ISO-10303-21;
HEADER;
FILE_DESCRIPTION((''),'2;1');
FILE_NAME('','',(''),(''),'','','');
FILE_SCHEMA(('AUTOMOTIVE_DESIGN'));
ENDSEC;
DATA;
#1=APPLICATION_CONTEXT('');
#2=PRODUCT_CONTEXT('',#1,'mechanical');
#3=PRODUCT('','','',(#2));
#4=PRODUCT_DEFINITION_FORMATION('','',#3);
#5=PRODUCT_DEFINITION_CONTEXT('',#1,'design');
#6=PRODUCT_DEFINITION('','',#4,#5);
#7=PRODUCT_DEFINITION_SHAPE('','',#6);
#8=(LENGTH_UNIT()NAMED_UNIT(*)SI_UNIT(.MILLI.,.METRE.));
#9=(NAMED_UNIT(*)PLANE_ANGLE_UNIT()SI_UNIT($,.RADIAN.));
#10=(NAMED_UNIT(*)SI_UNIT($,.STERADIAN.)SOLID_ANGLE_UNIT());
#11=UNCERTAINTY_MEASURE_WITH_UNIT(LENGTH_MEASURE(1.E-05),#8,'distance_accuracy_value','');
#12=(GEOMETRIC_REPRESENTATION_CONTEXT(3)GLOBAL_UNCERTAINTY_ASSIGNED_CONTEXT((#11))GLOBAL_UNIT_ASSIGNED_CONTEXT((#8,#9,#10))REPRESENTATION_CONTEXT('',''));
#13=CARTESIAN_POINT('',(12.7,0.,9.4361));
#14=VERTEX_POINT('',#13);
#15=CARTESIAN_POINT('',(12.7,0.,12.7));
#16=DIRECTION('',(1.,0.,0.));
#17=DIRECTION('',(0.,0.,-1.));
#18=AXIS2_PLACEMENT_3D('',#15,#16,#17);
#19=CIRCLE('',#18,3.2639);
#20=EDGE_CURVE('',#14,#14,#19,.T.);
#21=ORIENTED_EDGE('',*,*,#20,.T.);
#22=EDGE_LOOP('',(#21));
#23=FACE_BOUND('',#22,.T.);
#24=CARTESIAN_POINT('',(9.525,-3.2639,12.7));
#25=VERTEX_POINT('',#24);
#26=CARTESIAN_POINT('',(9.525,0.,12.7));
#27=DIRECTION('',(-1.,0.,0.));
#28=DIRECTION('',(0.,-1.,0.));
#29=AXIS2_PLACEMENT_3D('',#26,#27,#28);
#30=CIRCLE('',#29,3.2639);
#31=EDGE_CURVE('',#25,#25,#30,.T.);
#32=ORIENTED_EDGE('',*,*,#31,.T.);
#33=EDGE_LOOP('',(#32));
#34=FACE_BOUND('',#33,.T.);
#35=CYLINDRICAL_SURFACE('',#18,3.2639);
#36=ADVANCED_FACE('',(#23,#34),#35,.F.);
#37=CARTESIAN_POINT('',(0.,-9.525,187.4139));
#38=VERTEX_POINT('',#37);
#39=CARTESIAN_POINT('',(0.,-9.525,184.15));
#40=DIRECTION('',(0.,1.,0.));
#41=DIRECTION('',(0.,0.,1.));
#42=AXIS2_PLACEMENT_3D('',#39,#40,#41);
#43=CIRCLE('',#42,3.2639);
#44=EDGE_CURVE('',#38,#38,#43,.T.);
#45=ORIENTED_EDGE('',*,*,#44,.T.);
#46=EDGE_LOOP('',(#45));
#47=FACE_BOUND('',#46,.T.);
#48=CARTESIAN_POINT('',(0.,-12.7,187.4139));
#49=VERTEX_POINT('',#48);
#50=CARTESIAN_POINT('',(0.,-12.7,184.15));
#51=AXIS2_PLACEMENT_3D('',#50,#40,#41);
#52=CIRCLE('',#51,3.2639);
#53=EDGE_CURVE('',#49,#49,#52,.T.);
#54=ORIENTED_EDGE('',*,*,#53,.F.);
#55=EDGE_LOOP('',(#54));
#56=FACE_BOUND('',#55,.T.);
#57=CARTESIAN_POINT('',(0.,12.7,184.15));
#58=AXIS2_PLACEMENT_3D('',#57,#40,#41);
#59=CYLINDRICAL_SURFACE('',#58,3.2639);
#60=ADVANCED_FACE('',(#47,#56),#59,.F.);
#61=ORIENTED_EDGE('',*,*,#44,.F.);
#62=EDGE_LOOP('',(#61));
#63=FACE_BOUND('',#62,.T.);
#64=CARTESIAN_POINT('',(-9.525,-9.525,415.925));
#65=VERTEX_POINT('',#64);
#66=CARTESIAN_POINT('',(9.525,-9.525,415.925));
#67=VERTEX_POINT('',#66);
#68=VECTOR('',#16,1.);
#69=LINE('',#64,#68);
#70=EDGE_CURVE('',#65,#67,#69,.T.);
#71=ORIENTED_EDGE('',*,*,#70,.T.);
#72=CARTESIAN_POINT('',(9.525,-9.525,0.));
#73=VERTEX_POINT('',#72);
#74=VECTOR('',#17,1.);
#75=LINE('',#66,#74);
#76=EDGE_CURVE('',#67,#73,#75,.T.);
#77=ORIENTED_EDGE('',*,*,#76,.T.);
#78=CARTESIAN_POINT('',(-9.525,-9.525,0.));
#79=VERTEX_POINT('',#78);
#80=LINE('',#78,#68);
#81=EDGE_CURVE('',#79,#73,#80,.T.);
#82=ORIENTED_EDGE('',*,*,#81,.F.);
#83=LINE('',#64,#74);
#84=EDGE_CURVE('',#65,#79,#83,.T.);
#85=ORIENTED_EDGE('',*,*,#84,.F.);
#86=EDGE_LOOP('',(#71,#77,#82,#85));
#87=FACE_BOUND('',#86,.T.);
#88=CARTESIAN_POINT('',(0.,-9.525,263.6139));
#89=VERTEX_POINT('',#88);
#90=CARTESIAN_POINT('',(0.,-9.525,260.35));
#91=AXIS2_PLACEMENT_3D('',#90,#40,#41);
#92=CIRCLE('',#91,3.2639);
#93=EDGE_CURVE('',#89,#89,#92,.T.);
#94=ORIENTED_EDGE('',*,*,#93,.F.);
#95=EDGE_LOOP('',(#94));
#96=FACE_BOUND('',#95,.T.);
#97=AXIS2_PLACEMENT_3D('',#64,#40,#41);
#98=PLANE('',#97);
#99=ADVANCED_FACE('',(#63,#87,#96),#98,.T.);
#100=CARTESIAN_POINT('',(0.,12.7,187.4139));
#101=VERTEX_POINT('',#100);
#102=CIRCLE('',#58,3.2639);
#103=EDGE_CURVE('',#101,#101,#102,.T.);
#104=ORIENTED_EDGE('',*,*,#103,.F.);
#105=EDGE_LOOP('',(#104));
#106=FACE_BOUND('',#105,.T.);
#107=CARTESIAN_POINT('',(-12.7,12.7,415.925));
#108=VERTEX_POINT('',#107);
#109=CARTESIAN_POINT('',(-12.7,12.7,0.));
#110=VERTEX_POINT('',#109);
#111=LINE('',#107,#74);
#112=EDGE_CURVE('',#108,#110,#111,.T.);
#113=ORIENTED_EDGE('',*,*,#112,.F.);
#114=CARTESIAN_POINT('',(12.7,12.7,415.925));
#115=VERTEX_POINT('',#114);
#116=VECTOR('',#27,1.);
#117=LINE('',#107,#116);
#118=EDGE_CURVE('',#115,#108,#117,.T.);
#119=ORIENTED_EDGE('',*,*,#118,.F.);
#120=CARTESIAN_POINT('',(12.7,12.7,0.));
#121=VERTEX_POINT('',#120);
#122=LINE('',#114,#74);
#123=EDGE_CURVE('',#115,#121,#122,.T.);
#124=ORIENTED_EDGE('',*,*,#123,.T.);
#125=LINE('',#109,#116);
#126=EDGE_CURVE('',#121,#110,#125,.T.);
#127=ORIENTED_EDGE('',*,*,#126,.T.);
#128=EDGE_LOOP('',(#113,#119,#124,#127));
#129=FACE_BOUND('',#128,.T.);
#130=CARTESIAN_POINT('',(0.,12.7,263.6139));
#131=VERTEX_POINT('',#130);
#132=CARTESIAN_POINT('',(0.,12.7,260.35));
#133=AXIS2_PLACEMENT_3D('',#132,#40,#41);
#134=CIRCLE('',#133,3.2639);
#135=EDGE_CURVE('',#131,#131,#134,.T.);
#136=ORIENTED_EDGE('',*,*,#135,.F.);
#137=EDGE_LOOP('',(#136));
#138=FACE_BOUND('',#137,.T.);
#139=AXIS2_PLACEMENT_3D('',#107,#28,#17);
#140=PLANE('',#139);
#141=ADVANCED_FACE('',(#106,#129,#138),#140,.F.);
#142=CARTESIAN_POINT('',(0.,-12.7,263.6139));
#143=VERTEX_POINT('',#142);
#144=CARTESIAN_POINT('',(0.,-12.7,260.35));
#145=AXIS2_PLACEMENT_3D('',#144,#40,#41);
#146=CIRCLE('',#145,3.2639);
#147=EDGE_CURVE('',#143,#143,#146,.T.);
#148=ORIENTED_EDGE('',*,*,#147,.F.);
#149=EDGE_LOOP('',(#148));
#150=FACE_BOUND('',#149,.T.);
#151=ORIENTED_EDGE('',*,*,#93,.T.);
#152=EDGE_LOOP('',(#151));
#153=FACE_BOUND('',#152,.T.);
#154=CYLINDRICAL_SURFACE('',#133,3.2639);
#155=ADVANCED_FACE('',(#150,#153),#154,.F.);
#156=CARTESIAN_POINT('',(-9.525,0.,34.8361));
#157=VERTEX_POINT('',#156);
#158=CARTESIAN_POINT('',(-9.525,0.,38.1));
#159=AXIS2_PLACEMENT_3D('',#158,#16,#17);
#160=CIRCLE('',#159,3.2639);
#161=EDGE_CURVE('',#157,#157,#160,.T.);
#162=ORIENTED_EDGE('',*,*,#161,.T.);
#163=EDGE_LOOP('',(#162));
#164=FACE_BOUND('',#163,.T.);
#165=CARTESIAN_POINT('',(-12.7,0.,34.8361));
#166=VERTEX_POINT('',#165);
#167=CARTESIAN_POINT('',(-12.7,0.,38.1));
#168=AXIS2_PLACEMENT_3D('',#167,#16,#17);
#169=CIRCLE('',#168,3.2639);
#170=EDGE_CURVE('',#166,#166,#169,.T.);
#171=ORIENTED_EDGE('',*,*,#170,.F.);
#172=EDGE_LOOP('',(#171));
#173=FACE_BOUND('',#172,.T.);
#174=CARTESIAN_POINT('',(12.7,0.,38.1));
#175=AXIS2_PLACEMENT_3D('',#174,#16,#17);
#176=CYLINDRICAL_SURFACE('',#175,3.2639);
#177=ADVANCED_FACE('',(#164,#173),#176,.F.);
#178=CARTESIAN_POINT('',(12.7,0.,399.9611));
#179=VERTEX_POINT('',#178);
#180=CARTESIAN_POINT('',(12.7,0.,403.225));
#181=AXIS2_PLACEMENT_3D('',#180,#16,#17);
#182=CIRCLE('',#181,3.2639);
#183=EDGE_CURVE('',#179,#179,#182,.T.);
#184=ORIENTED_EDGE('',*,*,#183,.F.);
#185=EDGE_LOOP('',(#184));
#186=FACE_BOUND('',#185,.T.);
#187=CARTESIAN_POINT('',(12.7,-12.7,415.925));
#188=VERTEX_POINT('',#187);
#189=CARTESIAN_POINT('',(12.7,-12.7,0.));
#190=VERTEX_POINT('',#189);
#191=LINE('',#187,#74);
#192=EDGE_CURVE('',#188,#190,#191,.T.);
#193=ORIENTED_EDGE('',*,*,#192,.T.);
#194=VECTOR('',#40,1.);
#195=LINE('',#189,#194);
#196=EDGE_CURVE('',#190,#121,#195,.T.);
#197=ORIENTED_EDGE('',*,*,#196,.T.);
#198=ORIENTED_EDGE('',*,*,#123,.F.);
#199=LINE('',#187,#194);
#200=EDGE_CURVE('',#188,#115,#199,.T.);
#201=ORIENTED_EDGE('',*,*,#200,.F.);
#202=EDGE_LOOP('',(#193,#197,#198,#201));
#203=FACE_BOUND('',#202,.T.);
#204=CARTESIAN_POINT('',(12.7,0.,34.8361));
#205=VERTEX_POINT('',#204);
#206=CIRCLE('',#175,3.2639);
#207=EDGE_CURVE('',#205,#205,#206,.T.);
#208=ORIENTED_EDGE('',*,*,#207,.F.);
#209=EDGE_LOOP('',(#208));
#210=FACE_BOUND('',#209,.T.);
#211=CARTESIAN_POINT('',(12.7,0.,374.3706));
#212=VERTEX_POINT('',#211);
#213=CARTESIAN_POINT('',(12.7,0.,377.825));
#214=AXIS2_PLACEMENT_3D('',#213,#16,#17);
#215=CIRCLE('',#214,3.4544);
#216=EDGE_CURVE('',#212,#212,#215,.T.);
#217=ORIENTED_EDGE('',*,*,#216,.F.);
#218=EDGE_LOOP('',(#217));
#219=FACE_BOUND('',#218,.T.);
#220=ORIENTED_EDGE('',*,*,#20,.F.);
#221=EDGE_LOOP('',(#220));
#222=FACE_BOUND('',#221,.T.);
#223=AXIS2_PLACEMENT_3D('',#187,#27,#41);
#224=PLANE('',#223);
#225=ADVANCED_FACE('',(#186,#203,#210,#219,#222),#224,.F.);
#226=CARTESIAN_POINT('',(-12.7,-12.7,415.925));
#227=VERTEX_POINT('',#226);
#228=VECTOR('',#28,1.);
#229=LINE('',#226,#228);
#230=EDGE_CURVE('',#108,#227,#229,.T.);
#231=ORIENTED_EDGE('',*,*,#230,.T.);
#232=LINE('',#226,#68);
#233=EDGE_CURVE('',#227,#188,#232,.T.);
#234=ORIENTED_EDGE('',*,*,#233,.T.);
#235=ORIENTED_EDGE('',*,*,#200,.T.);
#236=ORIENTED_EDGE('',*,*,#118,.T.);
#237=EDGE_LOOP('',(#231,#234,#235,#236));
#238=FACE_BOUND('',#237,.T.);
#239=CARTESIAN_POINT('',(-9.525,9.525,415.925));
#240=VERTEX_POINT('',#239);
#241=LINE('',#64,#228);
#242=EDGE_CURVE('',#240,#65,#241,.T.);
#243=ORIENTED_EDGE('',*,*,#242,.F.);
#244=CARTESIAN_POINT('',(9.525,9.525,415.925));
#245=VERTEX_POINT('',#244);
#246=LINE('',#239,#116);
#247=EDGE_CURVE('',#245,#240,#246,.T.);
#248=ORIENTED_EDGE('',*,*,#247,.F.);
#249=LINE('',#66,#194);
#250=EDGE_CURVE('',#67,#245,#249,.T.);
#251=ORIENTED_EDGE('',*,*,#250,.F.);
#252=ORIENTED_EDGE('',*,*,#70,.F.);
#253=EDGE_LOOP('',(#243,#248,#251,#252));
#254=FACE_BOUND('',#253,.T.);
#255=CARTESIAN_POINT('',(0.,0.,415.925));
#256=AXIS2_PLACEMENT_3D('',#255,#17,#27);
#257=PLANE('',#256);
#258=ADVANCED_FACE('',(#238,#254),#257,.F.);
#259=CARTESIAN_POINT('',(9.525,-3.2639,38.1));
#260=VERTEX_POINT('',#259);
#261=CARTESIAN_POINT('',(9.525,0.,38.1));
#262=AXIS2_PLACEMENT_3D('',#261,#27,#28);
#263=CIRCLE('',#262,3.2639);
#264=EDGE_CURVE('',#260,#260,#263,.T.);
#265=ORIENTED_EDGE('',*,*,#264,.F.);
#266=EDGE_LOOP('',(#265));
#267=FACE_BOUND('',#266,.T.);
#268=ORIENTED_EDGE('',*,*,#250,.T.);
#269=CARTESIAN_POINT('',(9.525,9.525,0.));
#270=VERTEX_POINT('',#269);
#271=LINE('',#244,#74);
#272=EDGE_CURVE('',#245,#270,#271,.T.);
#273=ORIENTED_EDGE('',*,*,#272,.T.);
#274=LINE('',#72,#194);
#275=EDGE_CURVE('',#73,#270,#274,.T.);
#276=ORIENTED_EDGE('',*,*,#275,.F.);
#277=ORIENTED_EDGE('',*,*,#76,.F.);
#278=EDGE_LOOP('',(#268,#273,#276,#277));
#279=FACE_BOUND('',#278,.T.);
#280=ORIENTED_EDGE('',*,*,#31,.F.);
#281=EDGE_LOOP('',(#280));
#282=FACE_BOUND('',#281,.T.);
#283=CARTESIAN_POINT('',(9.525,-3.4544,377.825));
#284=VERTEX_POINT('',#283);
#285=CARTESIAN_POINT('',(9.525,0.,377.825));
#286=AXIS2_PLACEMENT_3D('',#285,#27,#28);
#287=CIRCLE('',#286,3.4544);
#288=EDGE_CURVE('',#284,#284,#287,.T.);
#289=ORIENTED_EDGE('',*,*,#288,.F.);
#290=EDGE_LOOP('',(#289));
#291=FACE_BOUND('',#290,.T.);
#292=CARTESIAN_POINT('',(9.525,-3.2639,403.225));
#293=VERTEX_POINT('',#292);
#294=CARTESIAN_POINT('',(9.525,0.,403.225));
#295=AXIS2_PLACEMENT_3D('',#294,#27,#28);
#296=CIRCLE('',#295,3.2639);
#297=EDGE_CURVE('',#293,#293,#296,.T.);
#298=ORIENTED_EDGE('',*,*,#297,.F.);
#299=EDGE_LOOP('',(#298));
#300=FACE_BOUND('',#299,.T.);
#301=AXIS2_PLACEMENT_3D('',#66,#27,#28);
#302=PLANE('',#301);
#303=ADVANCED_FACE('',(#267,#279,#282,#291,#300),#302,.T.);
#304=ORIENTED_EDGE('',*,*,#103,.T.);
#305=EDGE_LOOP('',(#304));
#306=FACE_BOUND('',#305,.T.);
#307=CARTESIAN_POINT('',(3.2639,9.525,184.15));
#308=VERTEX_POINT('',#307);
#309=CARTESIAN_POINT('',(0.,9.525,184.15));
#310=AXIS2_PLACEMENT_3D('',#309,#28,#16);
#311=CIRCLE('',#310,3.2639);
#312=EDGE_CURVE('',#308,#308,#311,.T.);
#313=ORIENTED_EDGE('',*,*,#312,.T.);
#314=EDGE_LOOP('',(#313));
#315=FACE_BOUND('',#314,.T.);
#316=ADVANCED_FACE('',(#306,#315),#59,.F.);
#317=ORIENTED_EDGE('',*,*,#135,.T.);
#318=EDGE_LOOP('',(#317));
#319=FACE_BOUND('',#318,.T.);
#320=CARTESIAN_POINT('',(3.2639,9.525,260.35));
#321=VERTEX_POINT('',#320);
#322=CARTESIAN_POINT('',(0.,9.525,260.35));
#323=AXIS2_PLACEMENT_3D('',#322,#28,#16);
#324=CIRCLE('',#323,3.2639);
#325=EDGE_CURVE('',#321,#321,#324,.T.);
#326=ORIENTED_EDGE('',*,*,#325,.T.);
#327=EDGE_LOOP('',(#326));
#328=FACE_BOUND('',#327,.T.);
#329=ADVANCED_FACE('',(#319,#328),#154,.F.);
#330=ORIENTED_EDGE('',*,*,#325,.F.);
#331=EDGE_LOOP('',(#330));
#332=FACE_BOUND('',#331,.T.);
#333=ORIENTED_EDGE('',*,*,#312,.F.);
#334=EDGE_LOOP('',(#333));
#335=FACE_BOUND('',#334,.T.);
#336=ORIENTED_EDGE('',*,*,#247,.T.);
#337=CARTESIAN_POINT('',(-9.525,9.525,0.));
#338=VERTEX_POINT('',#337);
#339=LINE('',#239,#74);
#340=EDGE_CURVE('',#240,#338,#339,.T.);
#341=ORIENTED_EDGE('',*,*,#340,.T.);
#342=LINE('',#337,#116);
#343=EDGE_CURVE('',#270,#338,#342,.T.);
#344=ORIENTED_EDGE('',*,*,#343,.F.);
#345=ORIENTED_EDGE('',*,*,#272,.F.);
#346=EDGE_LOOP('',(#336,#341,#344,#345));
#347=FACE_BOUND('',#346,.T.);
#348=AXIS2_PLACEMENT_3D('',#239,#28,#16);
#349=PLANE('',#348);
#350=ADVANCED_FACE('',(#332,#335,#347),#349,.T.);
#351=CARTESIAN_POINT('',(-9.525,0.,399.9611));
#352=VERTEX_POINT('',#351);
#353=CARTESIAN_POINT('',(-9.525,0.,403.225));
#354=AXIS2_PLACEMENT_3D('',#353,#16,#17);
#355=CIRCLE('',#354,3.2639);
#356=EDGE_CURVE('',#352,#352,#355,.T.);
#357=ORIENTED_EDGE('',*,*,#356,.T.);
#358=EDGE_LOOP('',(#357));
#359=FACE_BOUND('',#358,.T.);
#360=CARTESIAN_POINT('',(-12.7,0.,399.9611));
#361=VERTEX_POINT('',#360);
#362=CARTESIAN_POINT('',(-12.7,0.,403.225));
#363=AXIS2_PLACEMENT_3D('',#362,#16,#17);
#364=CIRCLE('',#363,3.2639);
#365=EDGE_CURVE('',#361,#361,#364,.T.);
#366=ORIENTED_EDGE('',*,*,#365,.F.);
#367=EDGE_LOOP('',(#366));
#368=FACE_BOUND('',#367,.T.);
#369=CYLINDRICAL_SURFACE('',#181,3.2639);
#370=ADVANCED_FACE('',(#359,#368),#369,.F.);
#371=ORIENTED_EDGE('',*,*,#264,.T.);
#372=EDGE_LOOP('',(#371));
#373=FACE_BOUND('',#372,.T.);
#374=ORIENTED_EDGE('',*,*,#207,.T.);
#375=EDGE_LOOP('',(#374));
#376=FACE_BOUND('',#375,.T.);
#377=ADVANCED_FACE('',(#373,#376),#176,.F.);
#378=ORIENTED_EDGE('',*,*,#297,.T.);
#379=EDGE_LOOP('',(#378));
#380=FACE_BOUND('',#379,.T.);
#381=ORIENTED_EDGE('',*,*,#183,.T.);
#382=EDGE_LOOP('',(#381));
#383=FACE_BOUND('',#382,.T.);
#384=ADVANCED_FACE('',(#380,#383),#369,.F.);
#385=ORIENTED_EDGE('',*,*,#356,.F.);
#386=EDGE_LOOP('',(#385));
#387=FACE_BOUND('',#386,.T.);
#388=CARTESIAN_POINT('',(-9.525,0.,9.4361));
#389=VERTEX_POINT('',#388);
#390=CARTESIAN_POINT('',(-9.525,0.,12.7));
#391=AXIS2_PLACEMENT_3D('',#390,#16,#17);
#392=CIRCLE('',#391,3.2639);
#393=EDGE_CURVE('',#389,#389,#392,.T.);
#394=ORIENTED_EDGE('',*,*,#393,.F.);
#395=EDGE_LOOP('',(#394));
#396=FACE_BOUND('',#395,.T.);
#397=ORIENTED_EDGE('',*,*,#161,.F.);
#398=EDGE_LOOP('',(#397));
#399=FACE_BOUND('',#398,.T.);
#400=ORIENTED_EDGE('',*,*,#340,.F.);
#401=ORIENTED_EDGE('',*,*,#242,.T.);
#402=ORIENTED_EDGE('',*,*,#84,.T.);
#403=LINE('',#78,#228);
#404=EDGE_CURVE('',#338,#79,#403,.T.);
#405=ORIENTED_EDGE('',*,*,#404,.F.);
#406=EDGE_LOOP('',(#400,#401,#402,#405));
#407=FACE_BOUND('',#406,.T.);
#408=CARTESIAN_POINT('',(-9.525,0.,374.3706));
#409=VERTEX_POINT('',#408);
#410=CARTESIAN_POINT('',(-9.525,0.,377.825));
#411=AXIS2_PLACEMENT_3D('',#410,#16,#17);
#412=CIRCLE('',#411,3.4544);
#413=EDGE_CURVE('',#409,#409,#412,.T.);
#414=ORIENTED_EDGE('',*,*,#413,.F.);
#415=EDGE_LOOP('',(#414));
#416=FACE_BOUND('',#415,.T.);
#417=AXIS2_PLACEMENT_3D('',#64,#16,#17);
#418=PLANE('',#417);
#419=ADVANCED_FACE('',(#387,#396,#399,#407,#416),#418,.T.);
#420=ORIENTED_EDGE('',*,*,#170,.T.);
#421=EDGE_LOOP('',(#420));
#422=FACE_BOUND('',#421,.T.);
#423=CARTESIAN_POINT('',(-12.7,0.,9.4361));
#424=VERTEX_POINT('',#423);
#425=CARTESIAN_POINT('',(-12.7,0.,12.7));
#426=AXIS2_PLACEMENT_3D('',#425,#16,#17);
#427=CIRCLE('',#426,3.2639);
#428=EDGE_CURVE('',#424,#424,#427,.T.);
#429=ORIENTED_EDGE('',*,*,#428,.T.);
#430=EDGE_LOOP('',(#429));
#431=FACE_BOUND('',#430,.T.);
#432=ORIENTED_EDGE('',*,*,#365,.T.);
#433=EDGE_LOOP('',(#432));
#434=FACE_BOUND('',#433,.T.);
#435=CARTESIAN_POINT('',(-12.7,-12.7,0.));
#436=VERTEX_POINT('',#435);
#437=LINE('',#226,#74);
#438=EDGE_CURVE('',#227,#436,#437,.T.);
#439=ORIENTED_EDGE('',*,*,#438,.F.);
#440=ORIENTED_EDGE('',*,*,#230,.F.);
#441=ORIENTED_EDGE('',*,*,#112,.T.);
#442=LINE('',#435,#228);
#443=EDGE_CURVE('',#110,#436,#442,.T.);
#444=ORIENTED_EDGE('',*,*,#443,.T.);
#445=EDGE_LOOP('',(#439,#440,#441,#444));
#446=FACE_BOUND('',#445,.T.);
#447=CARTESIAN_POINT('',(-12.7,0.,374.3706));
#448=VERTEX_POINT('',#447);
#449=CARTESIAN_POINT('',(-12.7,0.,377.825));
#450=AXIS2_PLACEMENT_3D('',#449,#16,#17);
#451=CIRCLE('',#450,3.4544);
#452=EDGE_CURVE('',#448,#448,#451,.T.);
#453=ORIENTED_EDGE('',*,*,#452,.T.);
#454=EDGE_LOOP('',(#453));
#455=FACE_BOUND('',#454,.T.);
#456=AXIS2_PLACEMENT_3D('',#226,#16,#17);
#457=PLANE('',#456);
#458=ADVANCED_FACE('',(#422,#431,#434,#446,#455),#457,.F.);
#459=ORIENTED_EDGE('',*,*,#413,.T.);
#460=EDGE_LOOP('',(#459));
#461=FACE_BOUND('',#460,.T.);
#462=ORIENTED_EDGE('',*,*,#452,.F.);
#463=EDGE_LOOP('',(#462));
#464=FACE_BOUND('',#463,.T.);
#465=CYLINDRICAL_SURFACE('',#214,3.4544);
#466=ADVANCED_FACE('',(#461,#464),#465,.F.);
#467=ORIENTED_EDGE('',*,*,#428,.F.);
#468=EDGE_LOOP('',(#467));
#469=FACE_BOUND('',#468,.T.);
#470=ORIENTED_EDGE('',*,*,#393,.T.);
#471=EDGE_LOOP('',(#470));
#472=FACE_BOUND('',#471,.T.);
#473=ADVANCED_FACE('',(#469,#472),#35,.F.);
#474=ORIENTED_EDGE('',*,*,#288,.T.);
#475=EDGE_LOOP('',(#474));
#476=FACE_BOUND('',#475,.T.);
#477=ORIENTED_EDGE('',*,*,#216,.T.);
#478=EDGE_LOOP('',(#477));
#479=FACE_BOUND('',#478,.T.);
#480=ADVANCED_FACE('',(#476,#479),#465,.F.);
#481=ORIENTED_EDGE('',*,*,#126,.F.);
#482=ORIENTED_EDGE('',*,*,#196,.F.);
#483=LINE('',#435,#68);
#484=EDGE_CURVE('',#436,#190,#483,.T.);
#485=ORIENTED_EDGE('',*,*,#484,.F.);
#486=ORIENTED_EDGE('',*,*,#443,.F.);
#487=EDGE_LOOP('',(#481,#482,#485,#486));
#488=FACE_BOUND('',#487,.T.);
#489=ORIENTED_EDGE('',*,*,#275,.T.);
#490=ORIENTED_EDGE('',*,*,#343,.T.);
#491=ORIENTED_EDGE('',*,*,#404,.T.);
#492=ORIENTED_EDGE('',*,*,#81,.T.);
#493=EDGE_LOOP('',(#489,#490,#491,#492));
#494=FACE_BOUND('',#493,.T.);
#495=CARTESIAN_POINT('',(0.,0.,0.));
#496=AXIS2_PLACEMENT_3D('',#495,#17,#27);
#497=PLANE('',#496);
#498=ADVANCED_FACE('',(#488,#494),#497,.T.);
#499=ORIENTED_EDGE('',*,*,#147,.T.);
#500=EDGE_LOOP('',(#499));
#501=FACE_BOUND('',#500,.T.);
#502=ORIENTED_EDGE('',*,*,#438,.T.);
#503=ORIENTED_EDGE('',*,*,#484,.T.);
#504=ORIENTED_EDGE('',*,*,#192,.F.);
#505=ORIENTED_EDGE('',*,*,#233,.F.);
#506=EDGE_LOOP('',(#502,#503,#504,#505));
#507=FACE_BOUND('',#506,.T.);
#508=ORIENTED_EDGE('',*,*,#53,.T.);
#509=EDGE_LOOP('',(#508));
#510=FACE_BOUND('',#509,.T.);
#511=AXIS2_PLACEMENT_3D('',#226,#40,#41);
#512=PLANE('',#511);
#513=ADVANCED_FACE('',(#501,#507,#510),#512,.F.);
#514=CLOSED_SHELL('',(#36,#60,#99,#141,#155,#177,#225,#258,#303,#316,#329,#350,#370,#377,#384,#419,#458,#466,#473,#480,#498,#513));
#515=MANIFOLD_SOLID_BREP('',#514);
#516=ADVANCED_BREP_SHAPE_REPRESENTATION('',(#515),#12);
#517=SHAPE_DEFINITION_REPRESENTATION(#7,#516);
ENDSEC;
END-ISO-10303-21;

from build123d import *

# Parameters (mm, degrees)
SKETCH1_W                = 25.4
SKETCH1_H                = 25.4
SKETCH1_W_2              = 19.05
SKETCH1_H_2              = 19.05
BOSS_EXTRUDE1_DEPTH      = 415.925
F_0_257_DIAMETER_HOLE1_D = 6.5278
I_0_272_DIAMETER_HOLE1_D = 6.9088
F_0_257_DIAMETER_HOLE2_D = 6.5278


with BuildPart() as part:
    # Sketch1 → Boss-Extrude1 (new body)
    with BuildSketch(Plane.XY):
        Rectangle(SKETCH1_W, SKETCH1_H)
        Rectangle(SKETCH1_W_2, SKETCH1_H_2, mode=Mode.SUBTRACT)
    extrude(amount=BOSS_EXTRUDE1_DEPTH)

    # F (0.257) Diameter Hole1 (through all)
    with Locations(Plane(origin=(12.7, 0, 0), x_dir=(0, 0, -1), z_dir=(1, 0, 0))):
        with Locations((-403.225, 0), (-12.7, 0), (-38.1, 0)):
            Hole(F_0_257_DIAMETER_HOLE1_D / 2)

    # I (0.272) Diameter Hole1 (through all)
    with Locations(Plane(origin=(12.7, 0, 0), x_dir=(0, 0, -1), z_dir=(1, 0, 0))):
        with Locations((-377.825, 0)):
            Hole(I_0_272_DIAMETER_HOLE1_D / 2)

    # F (0.257) Diameter Hole2 (through all)
    with Locations(Plane(origin=(0, 12.7, 0), x_dir=(1, 0, 0), z_dir=(0, 1, 0))):
        with Locations((0, -184.15), (0, -260.35)):
            Hole(F_0_257_DIAMETER_HOLE2_D / 2)


solid = part.part
